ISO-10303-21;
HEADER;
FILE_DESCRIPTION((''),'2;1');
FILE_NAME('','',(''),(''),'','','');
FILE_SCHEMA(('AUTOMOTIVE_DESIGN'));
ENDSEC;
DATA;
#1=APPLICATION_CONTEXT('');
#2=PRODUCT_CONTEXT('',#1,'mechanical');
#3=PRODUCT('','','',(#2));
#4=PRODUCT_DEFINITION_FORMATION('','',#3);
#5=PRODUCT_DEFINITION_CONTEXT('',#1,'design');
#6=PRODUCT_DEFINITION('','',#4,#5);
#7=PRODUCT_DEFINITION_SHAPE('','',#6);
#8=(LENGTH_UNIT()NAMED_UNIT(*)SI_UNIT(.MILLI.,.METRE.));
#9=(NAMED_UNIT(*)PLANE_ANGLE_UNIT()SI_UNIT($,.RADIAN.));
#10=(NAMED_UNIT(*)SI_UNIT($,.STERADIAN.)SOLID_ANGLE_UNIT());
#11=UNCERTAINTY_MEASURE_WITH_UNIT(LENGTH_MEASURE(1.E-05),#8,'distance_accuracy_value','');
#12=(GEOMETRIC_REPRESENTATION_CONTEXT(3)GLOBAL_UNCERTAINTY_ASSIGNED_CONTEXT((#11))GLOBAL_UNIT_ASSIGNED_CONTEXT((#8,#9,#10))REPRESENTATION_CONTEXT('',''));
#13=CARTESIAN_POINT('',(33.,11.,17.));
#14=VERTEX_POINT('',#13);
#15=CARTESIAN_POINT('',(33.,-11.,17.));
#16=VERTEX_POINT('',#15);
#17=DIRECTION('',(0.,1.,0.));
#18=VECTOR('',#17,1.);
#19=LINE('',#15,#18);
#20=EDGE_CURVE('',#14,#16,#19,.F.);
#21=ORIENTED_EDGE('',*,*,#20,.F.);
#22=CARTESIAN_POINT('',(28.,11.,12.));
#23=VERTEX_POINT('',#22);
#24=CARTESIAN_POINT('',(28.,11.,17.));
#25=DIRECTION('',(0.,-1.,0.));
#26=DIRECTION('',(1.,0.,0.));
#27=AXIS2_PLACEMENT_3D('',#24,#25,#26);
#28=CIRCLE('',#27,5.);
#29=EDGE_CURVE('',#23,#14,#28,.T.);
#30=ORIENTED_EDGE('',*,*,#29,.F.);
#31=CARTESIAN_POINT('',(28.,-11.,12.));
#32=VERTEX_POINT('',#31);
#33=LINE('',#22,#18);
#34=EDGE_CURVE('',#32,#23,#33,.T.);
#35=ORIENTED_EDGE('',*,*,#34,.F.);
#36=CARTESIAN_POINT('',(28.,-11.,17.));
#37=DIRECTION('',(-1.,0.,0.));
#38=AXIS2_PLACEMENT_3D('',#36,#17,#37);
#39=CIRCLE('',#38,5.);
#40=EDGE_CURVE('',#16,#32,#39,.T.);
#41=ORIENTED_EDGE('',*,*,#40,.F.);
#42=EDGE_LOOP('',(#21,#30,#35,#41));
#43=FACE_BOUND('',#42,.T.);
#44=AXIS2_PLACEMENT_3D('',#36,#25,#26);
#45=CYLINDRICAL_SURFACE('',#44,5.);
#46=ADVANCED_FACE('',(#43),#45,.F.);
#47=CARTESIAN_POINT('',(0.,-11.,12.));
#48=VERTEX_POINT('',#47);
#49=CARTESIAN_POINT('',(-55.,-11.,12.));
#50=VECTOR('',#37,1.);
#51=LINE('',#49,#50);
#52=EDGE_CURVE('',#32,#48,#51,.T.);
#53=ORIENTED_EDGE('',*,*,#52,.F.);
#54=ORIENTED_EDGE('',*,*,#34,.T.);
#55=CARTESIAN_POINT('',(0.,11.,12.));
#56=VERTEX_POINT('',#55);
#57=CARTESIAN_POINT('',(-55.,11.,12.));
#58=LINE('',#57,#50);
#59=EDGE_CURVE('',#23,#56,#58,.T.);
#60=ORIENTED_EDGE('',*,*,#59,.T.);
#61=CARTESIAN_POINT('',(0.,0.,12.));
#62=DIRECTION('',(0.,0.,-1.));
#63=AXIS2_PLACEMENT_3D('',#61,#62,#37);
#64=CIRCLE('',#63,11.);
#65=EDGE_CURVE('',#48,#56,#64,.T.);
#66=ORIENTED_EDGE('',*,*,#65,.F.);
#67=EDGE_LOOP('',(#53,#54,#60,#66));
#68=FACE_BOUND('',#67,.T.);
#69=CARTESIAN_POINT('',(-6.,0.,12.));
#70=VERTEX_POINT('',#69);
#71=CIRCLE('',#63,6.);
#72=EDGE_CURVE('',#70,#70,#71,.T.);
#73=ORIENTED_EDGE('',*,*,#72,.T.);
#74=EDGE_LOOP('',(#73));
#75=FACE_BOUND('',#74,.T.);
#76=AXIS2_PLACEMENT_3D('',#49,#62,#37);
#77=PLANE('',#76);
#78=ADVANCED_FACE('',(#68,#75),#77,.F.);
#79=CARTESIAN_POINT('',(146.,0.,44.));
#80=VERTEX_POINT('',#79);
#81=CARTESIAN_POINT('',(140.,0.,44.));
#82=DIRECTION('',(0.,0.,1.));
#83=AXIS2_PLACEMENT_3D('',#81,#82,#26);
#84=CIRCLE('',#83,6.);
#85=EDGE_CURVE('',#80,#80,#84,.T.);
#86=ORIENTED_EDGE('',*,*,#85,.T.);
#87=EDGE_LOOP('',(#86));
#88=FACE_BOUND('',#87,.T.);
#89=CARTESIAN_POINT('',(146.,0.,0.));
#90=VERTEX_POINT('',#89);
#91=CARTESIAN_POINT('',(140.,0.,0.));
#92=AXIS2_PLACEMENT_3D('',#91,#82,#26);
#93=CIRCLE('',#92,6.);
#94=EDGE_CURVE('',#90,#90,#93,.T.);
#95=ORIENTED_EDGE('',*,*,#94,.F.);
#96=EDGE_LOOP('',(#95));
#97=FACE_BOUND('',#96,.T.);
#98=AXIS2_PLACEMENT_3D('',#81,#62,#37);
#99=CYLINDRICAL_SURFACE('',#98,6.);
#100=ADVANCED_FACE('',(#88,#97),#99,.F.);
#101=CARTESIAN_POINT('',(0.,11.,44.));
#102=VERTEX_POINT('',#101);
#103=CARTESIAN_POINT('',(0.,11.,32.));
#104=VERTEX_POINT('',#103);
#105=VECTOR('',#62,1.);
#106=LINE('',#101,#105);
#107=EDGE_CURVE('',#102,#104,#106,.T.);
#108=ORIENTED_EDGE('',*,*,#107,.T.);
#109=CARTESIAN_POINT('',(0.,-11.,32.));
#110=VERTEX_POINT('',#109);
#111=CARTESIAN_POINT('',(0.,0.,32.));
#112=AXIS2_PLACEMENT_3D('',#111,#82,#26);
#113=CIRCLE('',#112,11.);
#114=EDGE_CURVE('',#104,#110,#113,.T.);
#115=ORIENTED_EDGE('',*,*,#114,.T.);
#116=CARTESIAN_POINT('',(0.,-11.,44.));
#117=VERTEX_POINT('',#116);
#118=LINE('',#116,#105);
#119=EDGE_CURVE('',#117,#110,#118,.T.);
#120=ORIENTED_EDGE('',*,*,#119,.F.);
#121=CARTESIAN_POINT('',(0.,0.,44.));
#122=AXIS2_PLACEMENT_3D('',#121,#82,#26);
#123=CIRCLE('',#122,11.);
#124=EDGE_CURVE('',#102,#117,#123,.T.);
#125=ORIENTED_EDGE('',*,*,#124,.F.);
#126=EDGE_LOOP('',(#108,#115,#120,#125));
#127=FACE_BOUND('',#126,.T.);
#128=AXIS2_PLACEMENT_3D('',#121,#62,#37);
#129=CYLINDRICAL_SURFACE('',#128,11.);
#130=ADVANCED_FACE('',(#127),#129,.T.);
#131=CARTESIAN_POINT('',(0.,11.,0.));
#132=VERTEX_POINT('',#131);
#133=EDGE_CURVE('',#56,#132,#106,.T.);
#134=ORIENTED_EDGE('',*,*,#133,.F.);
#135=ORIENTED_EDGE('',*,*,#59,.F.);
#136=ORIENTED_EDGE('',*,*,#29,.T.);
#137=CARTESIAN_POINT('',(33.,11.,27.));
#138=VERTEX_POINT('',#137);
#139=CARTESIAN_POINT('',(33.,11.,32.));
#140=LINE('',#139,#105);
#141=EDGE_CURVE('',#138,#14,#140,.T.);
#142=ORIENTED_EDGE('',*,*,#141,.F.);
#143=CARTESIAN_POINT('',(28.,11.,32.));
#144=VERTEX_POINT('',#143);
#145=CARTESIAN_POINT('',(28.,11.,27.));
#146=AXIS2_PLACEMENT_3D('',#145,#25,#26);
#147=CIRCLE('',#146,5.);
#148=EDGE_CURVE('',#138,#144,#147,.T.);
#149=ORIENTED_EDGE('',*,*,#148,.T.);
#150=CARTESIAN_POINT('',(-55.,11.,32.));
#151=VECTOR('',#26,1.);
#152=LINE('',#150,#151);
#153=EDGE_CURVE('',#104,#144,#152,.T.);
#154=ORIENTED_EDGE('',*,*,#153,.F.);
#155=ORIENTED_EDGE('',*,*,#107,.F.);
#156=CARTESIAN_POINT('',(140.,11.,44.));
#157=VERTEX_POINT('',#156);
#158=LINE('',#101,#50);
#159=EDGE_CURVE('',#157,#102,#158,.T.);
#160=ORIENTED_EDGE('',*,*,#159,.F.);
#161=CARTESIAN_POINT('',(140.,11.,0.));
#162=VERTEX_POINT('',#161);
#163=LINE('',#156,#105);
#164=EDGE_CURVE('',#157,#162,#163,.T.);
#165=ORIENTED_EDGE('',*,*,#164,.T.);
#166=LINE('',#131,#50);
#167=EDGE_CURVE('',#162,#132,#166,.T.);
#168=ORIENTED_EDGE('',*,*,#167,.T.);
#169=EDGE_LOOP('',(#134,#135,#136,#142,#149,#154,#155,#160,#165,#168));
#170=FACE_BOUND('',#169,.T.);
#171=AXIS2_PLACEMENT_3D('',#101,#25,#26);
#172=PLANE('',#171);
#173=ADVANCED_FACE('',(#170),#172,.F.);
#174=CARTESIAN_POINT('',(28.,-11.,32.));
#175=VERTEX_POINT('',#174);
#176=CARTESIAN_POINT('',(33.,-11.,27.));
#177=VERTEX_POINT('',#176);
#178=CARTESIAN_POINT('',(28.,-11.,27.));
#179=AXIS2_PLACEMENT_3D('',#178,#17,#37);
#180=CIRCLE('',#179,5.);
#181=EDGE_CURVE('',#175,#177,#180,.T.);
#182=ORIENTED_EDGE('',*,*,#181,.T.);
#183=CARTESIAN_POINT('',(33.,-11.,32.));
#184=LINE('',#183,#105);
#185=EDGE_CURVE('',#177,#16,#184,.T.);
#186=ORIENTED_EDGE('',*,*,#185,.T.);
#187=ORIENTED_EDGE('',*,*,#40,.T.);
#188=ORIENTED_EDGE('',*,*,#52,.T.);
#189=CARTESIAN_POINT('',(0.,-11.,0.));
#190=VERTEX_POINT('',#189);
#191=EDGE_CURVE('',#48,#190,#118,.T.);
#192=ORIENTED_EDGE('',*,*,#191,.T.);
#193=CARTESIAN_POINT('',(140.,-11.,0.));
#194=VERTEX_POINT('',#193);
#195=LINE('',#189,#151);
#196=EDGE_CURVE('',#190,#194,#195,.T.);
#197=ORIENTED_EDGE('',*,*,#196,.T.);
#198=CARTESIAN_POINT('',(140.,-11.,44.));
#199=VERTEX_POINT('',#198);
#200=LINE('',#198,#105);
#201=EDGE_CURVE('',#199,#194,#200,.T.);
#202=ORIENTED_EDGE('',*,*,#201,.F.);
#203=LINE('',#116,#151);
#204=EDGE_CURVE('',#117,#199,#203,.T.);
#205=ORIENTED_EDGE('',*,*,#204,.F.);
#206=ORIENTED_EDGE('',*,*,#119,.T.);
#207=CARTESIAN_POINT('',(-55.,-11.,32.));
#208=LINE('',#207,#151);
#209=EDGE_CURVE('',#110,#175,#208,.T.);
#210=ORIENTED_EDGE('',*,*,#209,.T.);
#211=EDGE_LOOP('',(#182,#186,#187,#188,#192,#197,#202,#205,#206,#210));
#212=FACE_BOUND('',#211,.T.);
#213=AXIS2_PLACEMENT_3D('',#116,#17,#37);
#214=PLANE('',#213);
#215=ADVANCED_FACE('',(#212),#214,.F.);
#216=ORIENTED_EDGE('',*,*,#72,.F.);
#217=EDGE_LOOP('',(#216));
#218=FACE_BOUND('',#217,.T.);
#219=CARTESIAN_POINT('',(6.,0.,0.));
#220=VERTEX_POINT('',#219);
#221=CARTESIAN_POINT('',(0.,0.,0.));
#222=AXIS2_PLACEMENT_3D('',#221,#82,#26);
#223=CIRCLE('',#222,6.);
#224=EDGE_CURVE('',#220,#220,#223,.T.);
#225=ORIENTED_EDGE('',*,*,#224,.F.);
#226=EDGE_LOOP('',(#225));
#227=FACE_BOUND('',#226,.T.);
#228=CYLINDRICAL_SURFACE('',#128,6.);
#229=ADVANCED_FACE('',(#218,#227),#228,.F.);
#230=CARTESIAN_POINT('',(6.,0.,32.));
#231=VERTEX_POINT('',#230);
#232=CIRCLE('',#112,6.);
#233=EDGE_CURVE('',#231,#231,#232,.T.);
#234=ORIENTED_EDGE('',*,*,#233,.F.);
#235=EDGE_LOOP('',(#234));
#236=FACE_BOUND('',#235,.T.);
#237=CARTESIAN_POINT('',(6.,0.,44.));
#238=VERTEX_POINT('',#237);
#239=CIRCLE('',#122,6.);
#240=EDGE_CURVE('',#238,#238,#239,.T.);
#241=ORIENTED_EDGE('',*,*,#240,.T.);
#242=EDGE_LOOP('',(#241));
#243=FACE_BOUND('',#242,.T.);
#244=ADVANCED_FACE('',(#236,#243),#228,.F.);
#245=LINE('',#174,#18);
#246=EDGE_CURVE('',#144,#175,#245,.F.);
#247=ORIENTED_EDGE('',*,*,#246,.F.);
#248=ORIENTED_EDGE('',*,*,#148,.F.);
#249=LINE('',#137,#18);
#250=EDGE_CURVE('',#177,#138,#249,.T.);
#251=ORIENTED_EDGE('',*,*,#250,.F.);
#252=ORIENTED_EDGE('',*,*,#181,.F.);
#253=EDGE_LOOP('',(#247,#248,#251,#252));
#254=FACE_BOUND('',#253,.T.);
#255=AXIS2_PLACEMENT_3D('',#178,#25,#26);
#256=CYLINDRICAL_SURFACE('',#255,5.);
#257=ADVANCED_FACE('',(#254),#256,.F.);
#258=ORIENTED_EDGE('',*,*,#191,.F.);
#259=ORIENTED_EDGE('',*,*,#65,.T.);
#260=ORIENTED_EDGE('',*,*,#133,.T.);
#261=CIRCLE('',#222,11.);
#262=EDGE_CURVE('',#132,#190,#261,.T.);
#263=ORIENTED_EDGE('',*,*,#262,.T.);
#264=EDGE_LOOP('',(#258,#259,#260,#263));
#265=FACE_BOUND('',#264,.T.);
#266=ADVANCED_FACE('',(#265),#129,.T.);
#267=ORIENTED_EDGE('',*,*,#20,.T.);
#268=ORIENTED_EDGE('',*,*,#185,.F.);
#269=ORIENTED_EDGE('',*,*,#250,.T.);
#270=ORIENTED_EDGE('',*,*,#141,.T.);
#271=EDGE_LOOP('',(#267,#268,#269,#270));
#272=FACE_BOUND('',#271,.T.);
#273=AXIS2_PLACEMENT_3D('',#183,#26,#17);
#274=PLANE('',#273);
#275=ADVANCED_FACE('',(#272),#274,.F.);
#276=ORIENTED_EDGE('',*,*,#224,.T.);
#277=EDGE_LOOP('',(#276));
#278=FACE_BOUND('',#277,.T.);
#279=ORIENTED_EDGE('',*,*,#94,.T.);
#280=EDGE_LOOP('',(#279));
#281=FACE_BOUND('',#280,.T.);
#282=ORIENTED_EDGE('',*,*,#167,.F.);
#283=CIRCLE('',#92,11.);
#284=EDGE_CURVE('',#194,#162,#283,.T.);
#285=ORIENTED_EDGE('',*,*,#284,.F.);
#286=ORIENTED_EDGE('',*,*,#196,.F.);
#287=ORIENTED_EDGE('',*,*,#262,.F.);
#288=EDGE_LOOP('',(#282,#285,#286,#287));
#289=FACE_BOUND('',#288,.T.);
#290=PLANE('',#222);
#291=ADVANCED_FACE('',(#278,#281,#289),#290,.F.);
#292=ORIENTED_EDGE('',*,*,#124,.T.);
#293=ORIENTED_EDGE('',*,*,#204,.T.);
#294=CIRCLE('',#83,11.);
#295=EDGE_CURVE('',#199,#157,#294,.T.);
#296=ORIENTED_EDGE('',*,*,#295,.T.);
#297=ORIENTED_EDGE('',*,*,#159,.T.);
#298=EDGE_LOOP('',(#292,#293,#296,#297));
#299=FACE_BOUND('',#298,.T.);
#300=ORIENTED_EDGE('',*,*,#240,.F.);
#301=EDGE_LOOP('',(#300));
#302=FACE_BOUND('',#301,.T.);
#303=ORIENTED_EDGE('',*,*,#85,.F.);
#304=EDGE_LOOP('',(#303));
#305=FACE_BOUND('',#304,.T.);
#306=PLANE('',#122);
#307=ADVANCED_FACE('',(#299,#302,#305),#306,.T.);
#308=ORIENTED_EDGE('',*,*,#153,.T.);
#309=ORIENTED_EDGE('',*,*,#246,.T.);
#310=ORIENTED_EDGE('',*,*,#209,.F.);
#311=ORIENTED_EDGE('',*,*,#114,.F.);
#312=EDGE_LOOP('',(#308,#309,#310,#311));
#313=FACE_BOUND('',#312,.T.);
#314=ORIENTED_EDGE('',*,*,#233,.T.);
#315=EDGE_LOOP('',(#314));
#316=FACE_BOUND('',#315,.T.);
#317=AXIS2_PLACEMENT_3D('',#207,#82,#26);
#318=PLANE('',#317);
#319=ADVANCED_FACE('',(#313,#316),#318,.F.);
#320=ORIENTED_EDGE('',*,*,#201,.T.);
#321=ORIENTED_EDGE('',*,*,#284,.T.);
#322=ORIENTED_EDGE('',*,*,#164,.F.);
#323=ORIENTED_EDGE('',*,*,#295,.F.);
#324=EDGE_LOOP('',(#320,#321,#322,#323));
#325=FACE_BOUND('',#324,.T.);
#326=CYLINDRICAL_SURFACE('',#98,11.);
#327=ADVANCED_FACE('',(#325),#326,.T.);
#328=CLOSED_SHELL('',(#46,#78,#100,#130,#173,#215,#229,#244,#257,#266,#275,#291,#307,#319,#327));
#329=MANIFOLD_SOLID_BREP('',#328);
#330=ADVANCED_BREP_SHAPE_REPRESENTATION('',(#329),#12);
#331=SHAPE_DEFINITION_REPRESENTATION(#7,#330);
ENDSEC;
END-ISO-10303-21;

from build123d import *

# Parameters (mm, degrees)
SKETCH1_R           = 6
BOSS_EXTRUDE1_DEPTH = 44
SKETCH2_W           = 88
SKETCH2_H           = 20
CUT_EXTRUDE1_DEPTH  = 159.811208672
FILLET1_R           = 5


with BuildPart() as part:
    # Sketch1 → Boss-Extrude1 (new body)
    with BuildSketch(Plane.XY):
        with BuildLine():
            Line((0, 11), (140, 11))
            ThreePointArc((140, 11), (151, 0), (140, -11))
            Line((140, -11), (0, -11))
            ThreePointArc((0, -11), (-11, 0), (0, 11))
        make_face()
        Circle(SKETCH1_R, mode=Mode.SUBTRACT)
        with Locations((140, 0)):
            Circle(SKETCH1_R, mode=Mode.SUBTRACT)
    extrude(amount=BOSS_EXTRUDE1_DEPTH)

    # Sketch2 → Cut-Extrude1 (cut, through all)
    with BuildSketch(Plane(origin=(0, 11, 0), x_dir=(1, 0, 0), z_dir=(0, 1, 0))):
        with Locations((-11, -22)):
            Rectangle(SKETCH2_W, SKETCH2_H)
    extrude(amount=-CUT_EXTRUDE1_DEPTH, mode=Mode.SUBTRACT)

    # Fillet1
    fillet1_edges = [part.edges().sort_by_distance(p)[0] for p in [
        (33, 0, 32),
        (33, 0, 12),
    ]]
    fillet(fillet1_edges, radius=FILLET1_R)


solid = part.part
